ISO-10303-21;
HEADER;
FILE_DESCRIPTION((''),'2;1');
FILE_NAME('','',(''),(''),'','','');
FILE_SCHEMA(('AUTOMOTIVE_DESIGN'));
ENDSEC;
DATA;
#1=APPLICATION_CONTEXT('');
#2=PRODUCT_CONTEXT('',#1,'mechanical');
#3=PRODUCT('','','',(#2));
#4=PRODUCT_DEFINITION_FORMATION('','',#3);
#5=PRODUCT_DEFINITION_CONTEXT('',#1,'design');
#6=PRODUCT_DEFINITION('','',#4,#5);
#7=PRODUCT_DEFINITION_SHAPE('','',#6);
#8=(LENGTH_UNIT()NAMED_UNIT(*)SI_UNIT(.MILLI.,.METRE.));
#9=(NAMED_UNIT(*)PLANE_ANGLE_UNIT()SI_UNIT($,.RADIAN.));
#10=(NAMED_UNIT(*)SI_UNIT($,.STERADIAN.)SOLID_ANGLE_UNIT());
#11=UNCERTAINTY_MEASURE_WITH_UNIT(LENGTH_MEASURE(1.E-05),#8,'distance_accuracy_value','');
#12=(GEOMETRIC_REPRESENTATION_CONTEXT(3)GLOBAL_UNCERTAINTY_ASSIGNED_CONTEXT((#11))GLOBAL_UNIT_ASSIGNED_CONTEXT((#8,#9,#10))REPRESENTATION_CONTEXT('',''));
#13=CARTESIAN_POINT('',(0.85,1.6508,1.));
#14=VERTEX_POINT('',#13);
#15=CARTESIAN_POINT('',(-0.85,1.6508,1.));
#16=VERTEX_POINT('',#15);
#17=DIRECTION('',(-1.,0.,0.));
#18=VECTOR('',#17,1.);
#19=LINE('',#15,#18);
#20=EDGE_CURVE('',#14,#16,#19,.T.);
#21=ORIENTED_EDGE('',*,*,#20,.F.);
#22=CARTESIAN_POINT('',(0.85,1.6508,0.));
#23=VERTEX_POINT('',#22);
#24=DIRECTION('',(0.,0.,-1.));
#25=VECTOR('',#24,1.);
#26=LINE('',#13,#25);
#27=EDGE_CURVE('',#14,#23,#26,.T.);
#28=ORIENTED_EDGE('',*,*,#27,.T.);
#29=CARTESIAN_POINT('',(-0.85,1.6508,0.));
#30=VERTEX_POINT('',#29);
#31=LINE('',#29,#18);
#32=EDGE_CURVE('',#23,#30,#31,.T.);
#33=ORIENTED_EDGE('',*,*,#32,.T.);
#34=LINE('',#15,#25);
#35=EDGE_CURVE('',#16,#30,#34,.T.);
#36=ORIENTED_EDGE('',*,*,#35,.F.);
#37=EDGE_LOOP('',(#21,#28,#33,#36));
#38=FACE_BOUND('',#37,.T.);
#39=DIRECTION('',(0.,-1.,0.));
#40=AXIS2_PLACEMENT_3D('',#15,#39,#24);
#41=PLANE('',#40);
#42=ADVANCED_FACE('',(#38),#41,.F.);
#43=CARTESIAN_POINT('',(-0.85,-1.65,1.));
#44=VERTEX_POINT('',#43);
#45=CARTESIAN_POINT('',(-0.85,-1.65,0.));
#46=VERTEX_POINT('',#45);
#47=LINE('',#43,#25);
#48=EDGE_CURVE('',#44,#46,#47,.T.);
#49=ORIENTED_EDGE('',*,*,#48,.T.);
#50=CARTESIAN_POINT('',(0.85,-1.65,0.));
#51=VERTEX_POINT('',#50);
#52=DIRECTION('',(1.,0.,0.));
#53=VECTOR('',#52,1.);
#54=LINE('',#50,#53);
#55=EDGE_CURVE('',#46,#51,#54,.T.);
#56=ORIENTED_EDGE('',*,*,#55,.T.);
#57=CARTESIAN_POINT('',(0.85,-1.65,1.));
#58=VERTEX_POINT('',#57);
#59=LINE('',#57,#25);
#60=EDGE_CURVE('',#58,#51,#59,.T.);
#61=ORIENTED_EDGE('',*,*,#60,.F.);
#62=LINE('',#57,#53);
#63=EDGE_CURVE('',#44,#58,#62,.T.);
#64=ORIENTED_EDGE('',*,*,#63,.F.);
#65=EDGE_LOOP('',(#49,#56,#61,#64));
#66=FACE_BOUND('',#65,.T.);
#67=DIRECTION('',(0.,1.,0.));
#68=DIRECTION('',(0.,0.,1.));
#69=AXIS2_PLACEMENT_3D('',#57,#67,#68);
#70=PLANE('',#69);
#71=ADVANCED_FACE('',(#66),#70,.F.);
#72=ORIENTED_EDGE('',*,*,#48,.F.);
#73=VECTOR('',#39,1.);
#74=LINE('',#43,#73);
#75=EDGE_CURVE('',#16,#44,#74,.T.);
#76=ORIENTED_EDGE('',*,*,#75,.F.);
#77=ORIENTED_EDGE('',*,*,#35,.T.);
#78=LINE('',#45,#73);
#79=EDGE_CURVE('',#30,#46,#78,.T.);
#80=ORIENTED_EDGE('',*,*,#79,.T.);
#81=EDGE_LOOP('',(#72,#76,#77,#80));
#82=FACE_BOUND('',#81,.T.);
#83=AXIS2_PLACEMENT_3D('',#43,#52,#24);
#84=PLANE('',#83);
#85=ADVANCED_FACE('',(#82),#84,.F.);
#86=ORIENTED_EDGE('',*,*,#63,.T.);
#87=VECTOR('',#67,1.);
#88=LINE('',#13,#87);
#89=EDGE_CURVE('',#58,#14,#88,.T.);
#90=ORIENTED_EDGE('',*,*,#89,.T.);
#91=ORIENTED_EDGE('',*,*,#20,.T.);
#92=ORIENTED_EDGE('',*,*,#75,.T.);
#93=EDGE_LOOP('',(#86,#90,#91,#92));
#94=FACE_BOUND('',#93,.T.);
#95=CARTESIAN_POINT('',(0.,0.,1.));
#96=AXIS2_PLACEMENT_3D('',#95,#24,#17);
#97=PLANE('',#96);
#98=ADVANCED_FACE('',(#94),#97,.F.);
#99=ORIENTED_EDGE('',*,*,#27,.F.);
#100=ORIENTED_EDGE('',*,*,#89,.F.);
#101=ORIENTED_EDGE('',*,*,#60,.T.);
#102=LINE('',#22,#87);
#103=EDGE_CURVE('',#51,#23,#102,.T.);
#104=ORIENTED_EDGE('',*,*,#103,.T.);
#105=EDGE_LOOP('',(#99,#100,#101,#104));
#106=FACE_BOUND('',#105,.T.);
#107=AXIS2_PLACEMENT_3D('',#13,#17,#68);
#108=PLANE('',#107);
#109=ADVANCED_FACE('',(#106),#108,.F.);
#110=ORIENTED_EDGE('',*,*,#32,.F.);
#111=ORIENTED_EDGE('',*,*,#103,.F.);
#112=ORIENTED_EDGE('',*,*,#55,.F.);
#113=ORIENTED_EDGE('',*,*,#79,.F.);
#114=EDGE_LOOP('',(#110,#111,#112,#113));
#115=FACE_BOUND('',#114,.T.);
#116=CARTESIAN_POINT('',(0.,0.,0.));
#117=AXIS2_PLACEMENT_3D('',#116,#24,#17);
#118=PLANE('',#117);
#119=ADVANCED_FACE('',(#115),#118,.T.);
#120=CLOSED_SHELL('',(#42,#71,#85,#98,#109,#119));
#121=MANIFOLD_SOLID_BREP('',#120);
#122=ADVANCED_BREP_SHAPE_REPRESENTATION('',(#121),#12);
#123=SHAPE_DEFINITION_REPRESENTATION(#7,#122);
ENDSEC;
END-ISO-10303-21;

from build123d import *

# Parameters (mm, degrees)
SKIZZE1_W               = 1.7
SKIZZE1_H               = 3.3008
COMPONENT_OUTLINE_DEPTH = 1


with BuildPart() as part:
    # Skizze1 → Component_Outline (new body)
    with BuildSketch(Plane.XY):
        with Locations((0, 0.0004)):
            Rectangle(SKIZZE1_W, SKIZZE1_H)
    extrude(amount=COMPONENT_OUTLINE_DEPTH)


solid = part.part
